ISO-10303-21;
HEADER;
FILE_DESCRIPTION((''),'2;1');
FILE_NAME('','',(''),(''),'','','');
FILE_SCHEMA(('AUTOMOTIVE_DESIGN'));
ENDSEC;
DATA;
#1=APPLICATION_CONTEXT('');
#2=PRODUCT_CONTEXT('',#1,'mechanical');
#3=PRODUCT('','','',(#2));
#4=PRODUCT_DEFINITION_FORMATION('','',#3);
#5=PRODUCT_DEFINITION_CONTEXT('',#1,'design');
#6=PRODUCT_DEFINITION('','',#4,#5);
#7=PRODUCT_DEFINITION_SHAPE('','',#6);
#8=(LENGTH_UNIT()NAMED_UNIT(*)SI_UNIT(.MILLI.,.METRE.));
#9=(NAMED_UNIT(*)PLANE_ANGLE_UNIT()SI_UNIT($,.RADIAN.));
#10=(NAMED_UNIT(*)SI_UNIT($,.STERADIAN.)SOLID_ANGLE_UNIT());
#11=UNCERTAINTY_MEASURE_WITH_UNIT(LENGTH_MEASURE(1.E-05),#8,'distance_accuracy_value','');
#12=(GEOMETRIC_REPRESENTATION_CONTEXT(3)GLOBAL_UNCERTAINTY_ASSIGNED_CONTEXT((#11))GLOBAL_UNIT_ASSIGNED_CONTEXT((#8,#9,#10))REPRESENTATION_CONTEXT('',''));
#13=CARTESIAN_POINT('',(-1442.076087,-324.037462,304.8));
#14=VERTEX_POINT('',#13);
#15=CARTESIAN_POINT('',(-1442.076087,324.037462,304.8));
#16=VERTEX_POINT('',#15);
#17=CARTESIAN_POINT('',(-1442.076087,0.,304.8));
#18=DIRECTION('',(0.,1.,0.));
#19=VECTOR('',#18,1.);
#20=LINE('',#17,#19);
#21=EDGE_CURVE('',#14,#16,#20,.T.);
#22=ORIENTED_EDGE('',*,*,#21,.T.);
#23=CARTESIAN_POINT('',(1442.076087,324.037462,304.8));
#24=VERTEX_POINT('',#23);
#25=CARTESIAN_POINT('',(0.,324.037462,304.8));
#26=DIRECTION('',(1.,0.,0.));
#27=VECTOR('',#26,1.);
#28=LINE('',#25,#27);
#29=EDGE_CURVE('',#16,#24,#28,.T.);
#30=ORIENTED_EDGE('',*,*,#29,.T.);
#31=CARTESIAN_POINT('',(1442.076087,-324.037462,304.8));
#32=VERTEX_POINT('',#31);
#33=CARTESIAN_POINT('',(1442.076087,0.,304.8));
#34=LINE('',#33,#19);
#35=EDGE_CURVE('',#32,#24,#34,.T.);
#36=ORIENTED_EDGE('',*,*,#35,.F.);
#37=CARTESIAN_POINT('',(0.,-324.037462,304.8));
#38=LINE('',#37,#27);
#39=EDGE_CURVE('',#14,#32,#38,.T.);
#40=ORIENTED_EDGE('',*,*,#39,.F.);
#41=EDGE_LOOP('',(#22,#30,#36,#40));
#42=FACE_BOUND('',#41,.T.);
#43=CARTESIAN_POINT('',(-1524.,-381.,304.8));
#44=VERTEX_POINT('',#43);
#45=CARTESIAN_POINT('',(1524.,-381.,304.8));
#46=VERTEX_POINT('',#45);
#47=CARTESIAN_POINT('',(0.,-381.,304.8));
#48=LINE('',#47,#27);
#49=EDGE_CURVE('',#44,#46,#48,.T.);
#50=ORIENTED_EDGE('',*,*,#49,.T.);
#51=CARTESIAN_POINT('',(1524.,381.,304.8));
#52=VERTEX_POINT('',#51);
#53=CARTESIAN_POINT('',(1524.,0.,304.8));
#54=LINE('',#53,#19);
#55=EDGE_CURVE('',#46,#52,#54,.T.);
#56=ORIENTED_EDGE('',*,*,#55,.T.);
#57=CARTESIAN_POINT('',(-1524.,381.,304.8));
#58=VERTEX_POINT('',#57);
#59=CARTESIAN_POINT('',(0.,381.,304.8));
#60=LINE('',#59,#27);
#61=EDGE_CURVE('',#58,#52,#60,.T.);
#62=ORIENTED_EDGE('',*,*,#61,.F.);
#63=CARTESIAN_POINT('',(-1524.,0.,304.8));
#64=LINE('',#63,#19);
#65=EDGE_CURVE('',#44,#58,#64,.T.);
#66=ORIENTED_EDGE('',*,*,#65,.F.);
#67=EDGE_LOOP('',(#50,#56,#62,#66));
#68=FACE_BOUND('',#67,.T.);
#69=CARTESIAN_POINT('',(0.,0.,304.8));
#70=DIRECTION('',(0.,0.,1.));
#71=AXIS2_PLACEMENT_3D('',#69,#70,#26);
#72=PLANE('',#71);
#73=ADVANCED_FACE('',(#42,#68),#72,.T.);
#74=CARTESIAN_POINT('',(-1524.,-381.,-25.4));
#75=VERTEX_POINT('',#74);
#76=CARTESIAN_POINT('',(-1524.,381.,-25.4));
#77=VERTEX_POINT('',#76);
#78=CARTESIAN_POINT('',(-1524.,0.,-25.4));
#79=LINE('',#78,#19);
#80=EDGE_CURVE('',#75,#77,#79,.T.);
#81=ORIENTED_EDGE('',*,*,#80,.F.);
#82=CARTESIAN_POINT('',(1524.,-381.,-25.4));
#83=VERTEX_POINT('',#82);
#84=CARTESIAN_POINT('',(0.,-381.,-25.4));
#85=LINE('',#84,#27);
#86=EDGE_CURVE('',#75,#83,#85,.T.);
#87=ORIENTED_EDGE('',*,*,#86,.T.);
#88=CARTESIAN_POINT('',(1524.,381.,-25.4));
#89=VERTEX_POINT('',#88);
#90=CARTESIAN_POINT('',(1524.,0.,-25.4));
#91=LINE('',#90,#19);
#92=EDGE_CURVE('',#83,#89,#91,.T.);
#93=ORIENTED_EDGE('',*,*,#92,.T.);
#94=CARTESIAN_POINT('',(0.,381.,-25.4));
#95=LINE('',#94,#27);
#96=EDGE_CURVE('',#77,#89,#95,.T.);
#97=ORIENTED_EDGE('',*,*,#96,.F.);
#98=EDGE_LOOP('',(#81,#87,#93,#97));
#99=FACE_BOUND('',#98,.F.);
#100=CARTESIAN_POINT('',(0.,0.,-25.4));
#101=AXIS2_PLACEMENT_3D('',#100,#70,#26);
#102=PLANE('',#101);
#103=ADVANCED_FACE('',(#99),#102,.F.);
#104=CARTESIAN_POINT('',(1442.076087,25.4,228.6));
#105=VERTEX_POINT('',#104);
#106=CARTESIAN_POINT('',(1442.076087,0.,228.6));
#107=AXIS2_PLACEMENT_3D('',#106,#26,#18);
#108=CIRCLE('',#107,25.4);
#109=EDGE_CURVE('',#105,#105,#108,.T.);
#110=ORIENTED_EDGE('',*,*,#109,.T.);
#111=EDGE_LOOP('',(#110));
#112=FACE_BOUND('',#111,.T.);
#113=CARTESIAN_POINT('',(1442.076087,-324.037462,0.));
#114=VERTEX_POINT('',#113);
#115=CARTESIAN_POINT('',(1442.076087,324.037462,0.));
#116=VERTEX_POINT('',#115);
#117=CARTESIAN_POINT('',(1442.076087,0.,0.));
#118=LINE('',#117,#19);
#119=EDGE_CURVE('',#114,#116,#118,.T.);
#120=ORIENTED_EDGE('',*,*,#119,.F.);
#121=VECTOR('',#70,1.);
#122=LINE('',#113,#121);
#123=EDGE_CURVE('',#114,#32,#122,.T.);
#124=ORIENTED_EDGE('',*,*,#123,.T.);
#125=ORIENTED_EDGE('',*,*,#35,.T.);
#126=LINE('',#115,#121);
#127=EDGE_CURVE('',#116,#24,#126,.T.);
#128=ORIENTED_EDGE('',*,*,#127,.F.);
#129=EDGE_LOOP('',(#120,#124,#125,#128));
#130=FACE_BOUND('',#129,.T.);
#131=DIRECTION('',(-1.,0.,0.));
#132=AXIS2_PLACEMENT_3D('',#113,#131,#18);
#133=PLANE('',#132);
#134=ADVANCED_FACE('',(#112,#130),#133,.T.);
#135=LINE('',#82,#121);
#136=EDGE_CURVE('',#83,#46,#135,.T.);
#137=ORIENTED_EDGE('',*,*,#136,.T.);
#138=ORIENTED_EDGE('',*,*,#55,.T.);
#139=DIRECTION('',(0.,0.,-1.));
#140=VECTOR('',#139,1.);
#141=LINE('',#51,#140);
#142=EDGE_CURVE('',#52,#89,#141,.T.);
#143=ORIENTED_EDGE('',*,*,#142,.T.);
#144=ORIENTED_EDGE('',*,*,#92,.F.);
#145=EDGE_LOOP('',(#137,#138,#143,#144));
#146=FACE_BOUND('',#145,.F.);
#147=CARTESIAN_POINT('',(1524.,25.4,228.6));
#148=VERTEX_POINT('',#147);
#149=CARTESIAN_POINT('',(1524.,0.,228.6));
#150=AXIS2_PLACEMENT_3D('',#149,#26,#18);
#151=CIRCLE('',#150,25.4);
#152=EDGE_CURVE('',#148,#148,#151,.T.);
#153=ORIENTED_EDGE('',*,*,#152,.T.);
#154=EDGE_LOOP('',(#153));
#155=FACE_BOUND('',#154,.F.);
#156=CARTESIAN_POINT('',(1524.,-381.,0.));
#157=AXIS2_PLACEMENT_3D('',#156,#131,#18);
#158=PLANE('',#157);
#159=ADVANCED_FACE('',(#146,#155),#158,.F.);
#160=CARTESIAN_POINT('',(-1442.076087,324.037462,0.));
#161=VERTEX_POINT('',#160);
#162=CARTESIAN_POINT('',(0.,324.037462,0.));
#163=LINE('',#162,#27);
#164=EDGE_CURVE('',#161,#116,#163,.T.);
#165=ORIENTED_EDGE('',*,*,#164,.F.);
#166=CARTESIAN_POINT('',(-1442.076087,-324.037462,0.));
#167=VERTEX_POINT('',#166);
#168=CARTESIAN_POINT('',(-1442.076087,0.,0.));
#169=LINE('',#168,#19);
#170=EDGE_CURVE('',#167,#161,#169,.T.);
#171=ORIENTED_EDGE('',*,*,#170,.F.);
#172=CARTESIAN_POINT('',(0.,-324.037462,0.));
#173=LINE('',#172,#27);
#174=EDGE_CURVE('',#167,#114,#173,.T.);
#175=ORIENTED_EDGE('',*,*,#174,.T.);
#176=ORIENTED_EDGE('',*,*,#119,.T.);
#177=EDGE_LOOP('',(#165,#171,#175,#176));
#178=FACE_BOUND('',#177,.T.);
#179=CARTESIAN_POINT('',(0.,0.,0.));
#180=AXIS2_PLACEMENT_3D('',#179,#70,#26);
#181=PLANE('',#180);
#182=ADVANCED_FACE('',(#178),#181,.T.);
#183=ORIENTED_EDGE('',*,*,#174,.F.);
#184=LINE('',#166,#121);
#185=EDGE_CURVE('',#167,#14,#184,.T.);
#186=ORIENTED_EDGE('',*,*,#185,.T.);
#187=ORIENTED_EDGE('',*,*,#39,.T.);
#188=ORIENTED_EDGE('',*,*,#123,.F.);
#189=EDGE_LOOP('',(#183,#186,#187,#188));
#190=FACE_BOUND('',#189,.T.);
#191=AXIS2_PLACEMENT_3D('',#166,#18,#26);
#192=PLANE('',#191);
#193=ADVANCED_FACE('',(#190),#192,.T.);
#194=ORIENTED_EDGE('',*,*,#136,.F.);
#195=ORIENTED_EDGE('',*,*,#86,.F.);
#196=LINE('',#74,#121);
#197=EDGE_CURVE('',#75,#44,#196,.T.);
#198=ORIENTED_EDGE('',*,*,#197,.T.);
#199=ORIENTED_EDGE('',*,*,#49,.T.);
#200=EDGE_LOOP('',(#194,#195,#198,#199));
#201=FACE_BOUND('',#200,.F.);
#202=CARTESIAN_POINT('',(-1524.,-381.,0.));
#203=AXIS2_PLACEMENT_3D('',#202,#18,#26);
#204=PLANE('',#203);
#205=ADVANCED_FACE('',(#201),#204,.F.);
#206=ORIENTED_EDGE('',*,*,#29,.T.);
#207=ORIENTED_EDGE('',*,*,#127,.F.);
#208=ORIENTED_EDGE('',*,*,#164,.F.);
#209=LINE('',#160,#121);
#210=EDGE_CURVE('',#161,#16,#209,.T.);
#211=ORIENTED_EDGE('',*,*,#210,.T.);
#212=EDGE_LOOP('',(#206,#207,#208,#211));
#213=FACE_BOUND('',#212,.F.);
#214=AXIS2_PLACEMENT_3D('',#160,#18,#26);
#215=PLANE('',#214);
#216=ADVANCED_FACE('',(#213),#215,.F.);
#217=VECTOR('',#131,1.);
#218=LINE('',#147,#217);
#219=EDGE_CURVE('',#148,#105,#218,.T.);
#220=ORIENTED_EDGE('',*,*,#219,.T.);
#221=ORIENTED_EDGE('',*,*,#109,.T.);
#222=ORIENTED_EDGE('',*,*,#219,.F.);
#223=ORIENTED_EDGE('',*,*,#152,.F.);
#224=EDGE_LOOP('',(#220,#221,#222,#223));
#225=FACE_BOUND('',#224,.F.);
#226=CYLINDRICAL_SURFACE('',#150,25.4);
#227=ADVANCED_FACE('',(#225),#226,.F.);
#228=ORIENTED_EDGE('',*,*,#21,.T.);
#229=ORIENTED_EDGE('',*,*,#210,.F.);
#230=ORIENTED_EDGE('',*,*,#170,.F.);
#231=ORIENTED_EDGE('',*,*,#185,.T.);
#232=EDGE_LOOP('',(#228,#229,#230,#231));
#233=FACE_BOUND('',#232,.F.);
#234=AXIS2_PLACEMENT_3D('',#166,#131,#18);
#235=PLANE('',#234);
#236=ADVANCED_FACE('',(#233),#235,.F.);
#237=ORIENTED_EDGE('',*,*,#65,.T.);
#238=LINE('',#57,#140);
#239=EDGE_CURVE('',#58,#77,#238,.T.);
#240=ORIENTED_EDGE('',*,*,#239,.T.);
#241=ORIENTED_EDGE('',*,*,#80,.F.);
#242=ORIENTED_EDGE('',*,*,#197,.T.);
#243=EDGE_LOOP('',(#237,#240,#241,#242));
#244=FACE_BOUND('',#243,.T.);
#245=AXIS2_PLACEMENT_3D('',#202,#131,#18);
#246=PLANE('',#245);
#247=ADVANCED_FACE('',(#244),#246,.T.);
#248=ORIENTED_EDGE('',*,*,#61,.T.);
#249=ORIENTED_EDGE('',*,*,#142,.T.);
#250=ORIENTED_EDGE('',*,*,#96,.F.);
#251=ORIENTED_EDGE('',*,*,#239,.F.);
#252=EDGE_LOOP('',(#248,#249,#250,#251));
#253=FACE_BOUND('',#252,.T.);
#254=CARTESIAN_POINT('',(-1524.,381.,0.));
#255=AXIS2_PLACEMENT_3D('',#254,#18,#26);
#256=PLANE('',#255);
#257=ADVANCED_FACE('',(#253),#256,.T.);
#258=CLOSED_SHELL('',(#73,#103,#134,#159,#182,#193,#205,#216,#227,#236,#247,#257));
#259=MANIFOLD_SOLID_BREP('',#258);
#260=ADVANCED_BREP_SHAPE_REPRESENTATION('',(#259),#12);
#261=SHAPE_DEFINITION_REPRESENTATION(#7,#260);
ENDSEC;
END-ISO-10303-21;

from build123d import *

# Parameters (mm, degrees)
F0_W     = 3048
F0_H     = 762
F0_W_2   = 2884.152173996
F0_H_2   = 648.0749249458
F1_DEPTH = 25.4
F2_DEPTH = 304.8
F3_R     = 25.4
F4_DEPTH = 81.923913002


with BuildPart() as f1:
    # F0 (on Top) → F1 (new body)
    with BuildSketch(Plane.XY):
        Rectangle(F0_W, F0_H)
        Rectangle(F0_W_2, F0_H_2, mode=Mode.SUBTRACT)
        Rectangle(F0_W_2, F0_H_2)
    extrude(amount=-F1_DEPTH)

    # F0 (on Top) → F2 (join)
    with BuildSketch(Plane.XY):
        Rectangle(F0_W, F0_H)
        Rectangle(F0_W_2, F0_H_2, mode=Mode.SUBTRACT)
    extrude(amount=F2_DEPTH)

    # F3 (on face) → F4 (cut, through all)
    with BuildSketch(Plane.YZ.offset(1524)):
        with Locations((0, 228.6)):
            Circle(F3_R)
    extrude(amount=-F4_DEPTH, mode=Mode.SUBTRACT)


solid = f1.part
